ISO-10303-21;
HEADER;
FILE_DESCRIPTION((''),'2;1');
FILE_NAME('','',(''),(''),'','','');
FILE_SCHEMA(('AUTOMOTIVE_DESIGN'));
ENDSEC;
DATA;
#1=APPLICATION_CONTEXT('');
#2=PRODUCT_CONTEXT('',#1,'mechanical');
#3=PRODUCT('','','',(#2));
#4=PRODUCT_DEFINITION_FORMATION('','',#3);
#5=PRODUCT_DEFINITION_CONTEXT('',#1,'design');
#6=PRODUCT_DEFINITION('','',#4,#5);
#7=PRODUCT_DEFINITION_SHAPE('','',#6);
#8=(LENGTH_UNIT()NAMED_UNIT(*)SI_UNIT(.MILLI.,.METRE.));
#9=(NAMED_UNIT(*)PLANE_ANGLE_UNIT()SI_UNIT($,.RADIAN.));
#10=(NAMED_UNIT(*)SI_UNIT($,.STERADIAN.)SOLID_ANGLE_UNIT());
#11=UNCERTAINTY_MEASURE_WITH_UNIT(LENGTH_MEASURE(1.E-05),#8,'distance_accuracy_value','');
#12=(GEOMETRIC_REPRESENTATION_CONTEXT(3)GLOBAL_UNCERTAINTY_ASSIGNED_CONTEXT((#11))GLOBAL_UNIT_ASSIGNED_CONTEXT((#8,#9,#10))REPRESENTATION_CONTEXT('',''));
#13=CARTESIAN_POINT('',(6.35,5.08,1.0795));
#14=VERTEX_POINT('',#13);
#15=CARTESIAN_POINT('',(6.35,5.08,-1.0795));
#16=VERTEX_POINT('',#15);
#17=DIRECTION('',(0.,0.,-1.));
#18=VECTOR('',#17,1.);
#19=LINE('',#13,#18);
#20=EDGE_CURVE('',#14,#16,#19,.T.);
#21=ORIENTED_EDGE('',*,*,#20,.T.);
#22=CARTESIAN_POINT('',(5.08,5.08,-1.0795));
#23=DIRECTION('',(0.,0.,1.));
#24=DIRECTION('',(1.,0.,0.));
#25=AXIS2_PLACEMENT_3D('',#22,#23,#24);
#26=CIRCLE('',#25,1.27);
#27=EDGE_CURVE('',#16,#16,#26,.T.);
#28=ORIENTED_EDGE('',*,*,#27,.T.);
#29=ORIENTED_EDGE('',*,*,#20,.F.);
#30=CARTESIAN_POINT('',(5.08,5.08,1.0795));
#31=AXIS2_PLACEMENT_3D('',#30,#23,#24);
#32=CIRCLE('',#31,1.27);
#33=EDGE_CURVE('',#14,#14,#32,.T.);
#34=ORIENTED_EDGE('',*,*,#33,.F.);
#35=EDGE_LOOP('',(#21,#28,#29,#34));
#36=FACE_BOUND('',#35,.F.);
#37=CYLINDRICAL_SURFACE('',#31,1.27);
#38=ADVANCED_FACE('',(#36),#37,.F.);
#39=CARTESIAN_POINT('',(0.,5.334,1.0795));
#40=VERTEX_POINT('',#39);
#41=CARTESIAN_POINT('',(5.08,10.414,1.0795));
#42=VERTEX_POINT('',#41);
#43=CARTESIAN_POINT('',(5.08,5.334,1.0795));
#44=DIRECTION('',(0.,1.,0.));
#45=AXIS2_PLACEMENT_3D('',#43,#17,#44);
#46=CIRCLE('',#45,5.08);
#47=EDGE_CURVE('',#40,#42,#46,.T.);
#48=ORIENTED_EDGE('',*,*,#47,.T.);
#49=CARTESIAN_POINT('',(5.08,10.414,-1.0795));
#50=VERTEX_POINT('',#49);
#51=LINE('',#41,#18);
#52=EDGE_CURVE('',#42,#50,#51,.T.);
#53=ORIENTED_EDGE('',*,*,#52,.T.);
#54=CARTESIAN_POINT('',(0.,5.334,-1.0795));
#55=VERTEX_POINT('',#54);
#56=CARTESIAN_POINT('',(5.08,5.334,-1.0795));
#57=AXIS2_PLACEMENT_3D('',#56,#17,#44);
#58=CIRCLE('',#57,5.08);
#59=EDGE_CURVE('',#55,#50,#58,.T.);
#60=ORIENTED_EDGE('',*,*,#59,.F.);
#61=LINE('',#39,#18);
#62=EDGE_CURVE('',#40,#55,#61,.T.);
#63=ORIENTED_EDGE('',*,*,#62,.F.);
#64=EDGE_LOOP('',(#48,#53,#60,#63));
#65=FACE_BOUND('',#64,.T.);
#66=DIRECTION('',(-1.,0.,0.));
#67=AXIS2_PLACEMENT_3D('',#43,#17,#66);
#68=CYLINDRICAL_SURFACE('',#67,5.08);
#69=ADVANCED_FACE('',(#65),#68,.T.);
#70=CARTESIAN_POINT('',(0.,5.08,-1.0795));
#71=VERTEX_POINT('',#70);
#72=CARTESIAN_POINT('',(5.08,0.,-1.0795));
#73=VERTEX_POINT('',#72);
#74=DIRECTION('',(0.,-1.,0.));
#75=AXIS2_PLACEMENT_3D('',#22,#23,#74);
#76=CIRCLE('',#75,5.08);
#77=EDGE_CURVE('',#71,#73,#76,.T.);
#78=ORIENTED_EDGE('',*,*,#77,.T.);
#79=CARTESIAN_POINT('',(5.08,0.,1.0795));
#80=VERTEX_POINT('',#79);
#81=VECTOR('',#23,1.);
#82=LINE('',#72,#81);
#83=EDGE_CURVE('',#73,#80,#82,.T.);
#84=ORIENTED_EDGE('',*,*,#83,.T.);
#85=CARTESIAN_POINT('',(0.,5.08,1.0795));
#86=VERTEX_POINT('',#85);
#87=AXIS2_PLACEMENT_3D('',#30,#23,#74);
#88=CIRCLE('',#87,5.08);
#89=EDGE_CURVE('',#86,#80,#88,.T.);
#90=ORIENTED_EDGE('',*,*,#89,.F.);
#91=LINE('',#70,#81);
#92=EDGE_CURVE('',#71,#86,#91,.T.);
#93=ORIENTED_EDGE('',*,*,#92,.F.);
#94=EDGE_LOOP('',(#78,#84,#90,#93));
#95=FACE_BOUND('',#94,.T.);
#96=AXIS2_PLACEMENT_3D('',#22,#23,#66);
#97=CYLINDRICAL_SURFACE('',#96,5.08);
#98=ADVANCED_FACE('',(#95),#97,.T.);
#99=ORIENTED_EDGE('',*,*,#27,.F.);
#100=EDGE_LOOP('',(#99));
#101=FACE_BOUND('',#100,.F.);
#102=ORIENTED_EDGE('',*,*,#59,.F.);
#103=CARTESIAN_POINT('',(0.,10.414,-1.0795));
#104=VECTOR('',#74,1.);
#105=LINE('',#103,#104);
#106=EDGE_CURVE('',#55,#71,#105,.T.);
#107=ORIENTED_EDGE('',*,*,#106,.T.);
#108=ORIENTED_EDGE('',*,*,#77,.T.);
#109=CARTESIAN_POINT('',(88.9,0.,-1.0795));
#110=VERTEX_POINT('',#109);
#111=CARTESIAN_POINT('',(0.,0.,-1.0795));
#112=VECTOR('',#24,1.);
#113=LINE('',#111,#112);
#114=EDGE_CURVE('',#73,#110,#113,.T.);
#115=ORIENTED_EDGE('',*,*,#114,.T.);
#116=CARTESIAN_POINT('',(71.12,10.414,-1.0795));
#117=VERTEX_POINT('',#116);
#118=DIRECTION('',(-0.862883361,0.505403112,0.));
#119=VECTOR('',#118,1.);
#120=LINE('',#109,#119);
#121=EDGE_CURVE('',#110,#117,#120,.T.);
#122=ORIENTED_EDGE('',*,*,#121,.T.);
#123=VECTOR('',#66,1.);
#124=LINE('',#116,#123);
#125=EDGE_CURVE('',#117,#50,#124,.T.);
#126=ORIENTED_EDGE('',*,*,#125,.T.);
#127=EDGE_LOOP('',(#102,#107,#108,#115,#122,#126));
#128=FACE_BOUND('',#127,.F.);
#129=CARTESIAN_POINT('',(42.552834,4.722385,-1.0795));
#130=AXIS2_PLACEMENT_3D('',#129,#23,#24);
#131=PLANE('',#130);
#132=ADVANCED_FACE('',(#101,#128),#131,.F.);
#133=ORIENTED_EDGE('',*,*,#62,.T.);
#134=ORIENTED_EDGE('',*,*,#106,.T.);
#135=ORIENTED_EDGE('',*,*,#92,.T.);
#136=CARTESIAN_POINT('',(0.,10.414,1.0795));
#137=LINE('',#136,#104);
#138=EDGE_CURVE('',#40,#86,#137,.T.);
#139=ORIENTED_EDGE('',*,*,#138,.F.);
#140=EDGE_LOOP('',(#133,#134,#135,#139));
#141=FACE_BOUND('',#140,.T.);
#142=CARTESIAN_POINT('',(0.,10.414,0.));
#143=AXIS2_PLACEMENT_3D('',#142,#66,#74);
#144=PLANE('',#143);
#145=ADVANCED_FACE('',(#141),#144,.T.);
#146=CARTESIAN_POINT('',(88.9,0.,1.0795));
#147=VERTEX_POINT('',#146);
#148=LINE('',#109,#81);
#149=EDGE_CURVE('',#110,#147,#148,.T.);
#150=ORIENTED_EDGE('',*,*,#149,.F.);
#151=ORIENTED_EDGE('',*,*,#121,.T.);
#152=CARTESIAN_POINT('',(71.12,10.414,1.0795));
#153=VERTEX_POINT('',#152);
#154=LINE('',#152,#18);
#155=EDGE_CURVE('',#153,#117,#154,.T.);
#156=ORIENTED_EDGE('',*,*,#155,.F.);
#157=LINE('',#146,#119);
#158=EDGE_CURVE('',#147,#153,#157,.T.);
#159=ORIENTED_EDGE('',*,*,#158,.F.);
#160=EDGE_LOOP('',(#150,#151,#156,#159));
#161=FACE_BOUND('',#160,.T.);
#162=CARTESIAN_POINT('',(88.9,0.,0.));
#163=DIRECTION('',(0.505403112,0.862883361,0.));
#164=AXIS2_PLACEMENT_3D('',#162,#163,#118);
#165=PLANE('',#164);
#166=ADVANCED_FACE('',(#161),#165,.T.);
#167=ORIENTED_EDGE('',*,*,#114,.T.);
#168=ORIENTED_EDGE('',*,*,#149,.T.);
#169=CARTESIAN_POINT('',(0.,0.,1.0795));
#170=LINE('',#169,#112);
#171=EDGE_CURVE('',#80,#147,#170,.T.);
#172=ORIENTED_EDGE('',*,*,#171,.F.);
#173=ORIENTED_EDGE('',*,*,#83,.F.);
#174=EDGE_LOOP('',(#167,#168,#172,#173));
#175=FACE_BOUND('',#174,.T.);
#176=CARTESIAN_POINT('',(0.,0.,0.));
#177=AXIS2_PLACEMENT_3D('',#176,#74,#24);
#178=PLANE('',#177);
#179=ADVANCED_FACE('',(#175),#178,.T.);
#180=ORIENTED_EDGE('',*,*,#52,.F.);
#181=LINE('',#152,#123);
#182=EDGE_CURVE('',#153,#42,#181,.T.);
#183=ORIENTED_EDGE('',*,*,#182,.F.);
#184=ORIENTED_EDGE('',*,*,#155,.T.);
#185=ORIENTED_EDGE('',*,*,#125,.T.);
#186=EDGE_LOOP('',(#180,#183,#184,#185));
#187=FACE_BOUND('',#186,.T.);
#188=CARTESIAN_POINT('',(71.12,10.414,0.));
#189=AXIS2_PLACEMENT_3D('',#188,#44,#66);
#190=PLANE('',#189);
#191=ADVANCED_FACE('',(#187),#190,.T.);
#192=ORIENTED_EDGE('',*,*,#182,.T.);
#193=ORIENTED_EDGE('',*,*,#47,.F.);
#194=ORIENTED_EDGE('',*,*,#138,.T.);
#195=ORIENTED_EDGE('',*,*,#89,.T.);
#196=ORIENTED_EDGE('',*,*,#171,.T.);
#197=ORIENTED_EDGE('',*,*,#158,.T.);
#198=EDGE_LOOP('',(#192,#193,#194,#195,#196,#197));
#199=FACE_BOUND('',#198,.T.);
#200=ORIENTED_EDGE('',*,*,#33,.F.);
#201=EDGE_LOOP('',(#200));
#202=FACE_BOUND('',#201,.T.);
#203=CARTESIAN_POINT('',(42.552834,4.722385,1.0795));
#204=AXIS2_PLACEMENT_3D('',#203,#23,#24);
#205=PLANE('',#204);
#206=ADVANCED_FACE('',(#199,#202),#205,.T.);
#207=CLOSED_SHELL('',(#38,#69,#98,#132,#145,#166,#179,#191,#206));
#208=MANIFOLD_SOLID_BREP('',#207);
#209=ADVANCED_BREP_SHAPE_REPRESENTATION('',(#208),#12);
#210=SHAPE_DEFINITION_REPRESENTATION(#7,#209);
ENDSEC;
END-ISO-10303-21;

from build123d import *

# Parameters (mm, degrees)
F1_DEPTH = 1.0795
F2_R     = 5.08
F3_R     = 1.27
F4_DEPTH = 25.4


with BuildPart() as f1:
    # F0 (on Top) → F1 (new body, symmetric)
    with BuildSketch(Plane.XY):
        Polygon((0, 10.414), (0, 0), (88.9, 0), (71.12, 10.414), align=None)
    extrude(amount=F1_DEPTH, both=True)

    # F2
    f2_edges = [f1.edges().sort_by_distance(p)[0] for p in [
        (0, 10.414, 0),
        (0, 0, 0),
    ]]
    fillet(f2_edges, radius=F2_R)

    # F3 (on face) → F4 (cut)
    with BuildSketch(Plane.XY.offset(1.0795)):
        with Locations((5.08, 5.08)):
            Circle(F3_R)
    extrude(amount=-F4_DEPTH, mode=Mode.SUBTRACT)


solid = f1.part
